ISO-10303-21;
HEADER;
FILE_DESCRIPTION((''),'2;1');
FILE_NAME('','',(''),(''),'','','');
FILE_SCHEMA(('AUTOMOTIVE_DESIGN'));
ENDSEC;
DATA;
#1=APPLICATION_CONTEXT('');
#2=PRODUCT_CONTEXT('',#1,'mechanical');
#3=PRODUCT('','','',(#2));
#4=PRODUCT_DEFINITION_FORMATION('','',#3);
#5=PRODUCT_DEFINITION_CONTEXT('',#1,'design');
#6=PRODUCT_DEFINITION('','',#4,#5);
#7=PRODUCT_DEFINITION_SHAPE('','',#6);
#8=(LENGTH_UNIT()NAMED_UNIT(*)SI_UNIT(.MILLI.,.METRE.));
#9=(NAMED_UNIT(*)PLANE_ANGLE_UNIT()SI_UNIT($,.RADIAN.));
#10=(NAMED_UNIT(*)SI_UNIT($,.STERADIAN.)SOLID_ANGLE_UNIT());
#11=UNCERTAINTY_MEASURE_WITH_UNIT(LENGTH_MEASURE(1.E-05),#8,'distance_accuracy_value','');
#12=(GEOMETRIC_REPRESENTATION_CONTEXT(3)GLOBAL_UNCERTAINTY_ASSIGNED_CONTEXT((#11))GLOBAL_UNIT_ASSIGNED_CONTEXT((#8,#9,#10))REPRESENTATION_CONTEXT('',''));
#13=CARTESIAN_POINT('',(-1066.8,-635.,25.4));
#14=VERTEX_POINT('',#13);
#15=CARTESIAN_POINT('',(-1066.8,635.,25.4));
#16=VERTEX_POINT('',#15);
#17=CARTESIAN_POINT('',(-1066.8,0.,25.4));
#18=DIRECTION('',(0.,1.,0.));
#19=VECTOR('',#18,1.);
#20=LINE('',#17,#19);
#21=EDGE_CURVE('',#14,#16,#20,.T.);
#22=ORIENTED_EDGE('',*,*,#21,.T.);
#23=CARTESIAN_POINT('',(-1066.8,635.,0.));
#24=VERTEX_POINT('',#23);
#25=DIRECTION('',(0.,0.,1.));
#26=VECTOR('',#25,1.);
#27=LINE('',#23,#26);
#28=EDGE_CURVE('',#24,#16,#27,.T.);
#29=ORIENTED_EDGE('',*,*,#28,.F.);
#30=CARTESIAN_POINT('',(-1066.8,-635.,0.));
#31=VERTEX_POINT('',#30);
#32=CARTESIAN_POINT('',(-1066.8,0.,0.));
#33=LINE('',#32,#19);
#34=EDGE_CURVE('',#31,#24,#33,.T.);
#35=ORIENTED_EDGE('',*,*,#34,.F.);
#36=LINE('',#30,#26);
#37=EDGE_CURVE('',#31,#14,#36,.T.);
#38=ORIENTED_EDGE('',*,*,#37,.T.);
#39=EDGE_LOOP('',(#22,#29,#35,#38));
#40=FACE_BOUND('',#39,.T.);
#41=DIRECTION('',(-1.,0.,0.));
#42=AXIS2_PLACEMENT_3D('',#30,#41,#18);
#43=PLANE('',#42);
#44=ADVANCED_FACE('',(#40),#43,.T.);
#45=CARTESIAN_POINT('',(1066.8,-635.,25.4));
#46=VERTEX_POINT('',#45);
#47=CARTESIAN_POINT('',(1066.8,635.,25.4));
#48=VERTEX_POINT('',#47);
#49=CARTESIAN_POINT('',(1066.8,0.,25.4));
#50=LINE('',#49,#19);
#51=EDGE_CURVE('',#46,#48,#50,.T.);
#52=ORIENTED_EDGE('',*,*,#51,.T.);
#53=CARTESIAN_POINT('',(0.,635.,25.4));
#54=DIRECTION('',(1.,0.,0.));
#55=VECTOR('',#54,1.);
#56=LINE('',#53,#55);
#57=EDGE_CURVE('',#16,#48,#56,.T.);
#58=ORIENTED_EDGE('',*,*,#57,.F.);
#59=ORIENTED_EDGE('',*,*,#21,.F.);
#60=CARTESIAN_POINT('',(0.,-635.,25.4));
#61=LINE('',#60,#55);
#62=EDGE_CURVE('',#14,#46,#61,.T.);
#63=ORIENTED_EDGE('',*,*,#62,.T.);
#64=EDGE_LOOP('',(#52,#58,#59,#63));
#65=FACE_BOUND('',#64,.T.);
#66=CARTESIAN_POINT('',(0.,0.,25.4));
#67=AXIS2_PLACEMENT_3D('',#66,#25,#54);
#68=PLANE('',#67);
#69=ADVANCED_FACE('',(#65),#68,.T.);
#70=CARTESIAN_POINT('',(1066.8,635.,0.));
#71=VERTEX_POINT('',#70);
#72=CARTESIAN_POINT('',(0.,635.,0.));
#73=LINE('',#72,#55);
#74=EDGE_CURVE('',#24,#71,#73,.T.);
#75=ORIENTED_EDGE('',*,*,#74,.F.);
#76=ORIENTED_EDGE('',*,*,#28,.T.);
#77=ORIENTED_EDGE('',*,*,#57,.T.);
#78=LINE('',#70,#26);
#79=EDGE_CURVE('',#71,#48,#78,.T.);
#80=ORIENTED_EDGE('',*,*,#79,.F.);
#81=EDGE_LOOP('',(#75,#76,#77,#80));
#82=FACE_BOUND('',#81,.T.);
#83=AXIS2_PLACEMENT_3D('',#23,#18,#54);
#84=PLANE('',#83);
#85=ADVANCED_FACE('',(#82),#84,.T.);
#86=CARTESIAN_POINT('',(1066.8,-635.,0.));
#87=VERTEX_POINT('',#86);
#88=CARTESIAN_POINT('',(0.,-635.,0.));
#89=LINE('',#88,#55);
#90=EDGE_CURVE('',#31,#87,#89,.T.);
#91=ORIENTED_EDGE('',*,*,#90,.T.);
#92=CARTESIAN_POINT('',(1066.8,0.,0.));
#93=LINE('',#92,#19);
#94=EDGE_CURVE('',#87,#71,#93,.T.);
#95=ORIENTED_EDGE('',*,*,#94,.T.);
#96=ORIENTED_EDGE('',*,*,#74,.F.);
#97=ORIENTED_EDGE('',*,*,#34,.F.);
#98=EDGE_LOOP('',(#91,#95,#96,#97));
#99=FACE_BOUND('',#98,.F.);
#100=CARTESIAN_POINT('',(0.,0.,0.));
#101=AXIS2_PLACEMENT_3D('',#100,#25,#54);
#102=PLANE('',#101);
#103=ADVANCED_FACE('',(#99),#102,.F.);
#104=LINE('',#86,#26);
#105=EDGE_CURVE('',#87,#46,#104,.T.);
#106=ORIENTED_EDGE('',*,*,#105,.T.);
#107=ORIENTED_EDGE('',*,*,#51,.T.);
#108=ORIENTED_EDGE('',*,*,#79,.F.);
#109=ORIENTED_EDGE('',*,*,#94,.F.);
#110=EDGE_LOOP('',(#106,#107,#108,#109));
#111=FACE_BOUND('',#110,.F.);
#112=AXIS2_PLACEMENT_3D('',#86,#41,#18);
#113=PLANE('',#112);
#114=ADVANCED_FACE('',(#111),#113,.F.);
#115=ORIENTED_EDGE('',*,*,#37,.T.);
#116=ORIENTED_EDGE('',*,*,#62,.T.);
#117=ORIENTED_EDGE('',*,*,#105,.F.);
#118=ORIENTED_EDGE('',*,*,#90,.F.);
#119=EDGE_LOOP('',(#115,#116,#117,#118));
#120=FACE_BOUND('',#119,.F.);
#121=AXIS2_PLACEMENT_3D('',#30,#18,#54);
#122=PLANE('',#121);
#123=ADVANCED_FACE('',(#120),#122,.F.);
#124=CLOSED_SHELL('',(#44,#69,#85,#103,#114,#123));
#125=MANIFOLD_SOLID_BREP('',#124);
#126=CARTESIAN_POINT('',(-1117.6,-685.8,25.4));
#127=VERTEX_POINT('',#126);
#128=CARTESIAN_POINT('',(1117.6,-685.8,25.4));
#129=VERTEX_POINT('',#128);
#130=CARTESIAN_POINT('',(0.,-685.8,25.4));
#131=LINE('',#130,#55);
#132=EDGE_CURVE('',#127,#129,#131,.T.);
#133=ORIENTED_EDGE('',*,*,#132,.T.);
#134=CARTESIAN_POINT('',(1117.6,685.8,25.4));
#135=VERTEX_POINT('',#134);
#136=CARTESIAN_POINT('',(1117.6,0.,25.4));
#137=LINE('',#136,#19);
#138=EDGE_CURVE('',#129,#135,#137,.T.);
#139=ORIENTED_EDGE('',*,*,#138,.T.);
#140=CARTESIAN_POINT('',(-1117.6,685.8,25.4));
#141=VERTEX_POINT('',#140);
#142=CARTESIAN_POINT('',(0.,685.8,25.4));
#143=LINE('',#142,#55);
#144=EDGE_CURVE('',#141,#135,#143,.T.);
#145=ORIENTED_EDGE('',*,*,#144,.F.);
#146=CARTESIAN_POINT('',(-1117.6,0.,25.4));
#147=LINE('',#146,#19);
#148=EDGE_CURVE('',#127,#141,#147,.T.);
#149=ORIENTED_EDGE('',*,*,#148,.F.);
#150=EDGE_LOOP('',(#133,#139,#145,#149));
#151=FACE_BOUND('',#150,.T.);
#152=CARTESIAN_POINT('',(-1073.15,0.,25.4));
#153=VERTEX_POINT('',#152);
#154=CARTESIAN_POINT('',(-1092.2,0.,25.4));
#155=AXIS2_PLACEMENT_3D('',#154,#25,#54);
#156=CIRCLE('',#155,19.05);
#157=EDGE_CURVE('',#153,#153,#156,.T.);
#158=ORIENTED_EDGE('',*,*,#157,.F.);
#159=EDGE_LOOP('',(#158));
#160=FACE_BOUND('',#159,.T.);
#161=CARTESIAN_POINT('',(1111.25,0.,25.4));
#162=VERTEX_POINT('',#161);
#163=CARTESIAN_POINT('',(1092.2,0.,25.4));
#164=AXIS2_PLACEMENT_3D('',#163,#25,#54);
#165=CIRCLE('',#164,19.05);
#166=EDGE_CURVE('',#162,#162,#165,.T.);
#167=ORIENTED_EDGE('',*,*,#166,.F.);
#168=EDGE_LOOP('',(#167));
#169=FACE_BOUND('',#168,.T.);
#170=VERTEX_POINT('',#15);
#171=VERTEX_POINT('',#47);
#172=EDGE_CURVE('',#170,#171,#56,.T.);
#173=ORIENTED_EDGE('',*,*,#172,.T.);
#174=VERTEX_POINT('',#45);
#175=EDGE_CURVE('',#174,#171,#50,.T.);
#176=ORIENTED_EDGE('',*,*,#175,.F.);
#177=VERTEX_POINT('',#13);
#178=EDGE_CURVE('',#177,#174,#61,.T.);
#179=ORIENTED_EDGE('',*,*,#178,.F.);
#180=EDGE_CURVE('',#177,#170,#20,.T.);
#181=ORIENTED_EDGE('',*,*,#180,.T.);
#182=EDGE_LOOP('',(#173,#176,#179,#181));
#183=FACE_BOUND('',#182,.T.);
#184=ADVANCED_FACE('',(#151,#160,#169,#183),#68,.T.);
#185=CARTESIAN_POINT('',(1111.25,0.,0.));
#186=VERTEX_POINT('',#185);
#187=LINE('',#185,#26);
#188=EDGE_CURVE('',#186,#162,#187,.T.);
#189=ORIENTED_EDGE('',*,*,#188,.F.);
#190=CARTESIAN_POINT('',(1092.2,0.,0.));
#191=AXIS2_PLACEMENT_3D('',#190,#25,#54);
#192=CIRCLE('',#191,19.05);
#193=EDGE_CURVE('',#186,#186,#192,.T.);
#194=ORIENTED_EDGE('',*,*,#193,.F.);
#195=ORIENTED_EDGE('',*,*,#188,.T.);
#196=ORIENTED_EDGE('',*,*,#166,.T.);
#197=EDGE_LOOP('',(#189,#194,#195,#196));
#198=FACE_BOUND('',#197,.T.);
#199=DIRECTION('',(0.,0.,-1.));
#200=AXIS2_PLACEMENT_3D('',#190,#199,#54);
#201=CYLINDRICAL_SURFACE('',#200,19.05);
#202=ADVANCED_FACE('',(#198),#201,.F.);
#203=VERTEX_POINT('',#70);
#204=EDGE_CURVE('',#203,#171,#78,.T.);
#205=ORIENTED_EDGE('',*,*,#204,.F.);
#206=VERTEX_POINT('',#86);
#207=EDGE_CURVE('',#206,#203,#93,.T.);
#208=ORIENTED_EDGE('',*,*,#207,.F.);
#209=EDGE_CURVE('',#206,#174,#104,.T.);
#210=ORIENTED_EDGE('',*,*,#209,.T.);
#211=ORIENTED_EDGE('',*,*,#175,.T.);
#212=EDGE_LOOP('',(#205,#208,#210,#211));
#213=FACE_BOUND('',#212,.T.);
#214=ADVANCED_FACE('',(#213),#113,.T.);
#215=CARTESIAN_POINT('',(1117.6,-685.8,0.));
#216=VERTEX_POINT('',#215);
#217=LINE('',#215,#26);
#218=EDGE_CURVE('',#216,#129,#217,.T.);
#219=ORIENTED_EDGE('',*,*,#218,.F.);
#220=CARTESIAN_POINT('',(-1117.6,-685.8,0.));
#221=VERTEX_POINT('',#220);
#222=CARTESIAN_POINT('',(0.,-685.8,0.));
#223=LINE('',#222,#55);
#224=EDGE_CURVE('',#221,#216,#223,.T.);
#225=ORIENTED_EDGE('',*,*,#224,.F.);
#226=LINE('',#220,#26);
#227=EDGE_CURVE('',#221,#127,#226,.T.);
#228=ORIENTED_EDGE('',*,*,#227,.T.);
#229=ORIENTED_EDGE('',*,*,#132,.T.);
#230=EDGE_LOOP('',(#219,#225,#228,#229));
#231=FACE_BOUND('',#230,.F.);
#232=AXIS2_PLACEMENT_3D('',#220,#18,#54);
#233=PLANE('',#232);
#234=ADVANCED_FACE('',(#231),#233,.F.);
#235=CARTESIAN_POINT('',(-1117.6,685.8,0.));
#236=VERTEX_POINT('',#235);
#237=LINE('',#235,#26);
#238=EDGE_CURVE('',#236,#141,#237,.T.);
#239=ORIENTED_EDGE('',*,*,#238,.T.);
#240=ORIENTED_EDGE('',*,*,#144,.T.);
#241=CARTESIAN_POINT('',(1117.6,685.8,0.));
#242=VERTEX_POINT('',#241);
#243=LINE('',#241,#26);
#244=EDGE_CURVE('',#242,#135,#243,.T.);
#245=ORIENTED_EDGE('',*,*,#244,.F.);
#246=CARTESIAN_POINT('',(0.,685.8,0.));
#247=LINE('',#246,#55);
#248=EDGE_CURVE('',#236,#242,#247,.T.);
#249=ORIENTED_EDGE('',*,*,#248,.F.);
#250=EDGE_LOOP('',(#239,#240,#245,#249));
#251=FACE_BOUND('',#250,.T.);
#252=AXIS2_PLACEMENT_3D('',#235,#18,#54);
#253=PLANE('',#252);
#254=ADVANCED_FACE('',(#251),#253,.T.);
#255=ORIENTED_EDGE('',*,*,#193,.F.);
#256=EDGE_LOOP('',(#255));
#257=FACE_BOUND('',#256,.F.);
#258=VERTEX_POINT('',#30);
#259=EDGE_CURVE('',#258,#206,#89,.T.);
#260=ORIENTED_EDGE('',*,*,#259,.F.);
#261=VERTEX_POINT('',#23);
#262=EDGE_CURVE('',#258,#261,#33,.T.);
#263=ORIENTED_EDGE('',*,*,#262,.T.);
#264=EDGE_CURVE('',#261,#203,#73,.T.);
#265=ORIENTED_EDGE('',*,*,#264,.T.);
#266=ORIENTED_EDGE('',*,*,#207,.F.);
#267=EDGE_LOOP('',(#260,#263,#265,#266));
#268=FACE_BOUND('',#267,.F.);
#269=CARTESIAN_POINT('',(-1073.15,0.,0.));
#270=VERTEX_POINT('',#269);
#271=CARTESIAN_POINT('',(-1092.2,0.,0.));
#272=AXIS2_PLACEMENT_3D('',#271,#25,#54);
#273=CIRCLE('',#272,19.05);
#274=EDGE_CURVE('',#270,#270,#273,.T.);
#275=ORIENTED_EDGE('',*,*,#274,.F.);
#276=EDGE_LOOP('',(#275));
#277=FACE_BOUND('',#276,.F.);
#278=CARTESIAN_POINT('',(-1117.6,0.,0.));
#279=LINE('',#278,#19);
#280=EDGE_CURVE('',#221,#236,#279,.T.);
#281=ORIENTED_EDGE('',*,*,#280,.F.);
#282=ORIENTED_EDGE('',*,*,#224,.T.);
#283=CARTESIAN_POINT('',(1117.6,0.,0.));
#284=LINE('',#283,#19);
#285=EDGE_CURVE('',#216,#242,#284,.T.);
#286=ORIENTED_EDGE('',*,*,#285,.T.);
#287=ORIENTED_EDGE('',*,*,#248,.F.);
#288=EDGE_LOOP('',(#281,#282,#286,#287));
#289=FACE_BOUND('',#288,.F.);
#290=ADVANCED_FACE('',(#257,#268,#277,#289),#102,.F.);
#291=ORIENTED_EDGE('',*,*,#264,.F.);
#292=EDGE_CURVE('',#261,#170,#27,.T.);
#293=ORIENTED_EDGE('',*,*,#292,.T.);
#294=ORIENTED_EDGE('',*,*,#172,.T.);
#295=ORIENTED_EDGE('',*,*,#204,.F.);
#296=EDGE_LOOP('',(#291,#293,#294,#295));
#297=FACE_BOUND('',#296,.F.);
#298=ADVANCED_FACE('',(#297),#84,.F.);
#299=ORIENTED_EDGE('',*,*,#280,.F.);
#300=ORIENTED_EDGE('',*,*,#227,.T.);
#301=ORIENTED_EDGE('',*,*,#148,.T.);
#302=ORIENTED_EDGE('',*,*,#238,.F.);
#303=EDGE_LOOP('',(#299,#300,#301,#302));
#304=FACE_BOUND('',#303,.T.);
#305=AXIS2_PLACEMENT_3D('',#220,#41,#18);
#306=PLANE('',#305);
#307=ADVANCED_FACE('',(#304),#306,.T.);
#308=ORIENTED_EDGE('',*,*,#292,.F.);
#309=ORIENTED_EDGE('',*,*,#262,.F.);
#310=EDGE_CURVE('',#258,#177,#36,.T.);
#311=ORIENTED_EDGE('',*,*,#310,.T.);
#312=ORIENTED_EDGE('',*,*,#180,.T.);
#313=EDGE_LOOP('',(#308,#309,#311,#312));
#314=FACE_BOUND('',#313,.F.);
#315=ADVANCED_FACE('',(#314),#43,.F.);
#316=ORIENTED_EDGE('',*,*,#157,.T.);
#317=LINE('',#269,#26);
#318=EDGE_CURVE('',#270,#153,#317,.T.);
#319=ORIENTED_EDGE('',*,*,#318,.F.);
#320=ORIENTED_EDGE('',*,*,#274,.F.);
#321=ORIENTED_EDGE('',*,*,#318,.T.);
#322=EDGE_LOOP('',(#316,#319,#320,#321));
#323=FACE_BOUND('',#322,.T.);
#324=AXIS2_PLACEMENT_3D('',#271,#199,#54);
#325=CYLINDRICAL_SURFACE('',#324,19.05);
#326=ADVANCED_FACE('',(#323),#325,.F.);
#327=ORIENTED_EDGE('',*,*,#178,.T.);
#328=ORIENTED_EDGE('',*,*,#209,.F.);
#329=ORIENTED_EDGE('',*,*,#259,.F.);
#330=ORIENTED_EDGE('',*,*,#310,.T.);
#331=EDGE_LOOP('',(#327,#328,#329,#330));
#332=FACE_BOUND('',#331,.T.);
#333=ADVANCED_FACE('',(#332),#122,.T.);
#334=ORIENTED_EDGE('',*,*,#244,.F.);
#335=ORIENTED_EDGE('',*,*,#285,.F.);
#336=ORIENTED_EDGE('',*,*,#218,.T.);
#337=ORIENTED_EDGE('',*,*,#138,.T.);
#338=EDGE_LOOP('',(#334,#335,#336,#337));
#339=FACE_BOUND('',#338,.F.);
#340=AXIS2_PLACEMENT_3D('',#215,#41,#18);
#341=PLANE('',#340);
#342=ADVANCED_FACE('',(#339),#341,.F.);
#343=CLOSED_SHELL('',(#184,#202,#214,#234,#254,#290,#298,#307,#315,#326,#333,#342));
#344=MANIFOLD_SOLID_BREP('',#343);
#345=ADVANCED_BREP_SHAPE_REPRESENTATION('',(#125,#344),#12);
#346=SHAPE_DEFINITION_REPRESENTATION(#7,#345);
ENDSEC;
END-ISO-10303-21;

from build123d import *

# Parameters (mm, degrees)
F0_W     = 2133.6
F0_H     = 1270
F1_DEPTH = 25.4
F0_W_2   = 2235.2
F0_H_2   = 1371.6
F0_R     = 19.05
F2_DEPTH = 25.4


with BuildPart() as f1:
    # F0 (on Top) → F1 (new body)
    with BuildSketch(Plane.XY):
        Rectangle(F0_W, F0_H)
    extrude(amount=F1_DEPTH)


with BuildPart() as f2:
    # F0 (on Top) → F2 (new body)
    with BuildSketch(Plane.XY):
        Rectangle(F0_W_2, F0_H_2)
        with Locations((-1092.2, 0)):
            Circle(F0_R, mode=Mode.SUBTRACT)
        Rectangle(F0_W, F0_H, mode=Mode.SUBTRACT)
        with Locations((1092.2, 0)):
            Circle(F0_R, mode=Mode.SUBTRACT)
    extrude(amount=F2_DEPTH)


solid = Compound([f1.part, f2.part])
